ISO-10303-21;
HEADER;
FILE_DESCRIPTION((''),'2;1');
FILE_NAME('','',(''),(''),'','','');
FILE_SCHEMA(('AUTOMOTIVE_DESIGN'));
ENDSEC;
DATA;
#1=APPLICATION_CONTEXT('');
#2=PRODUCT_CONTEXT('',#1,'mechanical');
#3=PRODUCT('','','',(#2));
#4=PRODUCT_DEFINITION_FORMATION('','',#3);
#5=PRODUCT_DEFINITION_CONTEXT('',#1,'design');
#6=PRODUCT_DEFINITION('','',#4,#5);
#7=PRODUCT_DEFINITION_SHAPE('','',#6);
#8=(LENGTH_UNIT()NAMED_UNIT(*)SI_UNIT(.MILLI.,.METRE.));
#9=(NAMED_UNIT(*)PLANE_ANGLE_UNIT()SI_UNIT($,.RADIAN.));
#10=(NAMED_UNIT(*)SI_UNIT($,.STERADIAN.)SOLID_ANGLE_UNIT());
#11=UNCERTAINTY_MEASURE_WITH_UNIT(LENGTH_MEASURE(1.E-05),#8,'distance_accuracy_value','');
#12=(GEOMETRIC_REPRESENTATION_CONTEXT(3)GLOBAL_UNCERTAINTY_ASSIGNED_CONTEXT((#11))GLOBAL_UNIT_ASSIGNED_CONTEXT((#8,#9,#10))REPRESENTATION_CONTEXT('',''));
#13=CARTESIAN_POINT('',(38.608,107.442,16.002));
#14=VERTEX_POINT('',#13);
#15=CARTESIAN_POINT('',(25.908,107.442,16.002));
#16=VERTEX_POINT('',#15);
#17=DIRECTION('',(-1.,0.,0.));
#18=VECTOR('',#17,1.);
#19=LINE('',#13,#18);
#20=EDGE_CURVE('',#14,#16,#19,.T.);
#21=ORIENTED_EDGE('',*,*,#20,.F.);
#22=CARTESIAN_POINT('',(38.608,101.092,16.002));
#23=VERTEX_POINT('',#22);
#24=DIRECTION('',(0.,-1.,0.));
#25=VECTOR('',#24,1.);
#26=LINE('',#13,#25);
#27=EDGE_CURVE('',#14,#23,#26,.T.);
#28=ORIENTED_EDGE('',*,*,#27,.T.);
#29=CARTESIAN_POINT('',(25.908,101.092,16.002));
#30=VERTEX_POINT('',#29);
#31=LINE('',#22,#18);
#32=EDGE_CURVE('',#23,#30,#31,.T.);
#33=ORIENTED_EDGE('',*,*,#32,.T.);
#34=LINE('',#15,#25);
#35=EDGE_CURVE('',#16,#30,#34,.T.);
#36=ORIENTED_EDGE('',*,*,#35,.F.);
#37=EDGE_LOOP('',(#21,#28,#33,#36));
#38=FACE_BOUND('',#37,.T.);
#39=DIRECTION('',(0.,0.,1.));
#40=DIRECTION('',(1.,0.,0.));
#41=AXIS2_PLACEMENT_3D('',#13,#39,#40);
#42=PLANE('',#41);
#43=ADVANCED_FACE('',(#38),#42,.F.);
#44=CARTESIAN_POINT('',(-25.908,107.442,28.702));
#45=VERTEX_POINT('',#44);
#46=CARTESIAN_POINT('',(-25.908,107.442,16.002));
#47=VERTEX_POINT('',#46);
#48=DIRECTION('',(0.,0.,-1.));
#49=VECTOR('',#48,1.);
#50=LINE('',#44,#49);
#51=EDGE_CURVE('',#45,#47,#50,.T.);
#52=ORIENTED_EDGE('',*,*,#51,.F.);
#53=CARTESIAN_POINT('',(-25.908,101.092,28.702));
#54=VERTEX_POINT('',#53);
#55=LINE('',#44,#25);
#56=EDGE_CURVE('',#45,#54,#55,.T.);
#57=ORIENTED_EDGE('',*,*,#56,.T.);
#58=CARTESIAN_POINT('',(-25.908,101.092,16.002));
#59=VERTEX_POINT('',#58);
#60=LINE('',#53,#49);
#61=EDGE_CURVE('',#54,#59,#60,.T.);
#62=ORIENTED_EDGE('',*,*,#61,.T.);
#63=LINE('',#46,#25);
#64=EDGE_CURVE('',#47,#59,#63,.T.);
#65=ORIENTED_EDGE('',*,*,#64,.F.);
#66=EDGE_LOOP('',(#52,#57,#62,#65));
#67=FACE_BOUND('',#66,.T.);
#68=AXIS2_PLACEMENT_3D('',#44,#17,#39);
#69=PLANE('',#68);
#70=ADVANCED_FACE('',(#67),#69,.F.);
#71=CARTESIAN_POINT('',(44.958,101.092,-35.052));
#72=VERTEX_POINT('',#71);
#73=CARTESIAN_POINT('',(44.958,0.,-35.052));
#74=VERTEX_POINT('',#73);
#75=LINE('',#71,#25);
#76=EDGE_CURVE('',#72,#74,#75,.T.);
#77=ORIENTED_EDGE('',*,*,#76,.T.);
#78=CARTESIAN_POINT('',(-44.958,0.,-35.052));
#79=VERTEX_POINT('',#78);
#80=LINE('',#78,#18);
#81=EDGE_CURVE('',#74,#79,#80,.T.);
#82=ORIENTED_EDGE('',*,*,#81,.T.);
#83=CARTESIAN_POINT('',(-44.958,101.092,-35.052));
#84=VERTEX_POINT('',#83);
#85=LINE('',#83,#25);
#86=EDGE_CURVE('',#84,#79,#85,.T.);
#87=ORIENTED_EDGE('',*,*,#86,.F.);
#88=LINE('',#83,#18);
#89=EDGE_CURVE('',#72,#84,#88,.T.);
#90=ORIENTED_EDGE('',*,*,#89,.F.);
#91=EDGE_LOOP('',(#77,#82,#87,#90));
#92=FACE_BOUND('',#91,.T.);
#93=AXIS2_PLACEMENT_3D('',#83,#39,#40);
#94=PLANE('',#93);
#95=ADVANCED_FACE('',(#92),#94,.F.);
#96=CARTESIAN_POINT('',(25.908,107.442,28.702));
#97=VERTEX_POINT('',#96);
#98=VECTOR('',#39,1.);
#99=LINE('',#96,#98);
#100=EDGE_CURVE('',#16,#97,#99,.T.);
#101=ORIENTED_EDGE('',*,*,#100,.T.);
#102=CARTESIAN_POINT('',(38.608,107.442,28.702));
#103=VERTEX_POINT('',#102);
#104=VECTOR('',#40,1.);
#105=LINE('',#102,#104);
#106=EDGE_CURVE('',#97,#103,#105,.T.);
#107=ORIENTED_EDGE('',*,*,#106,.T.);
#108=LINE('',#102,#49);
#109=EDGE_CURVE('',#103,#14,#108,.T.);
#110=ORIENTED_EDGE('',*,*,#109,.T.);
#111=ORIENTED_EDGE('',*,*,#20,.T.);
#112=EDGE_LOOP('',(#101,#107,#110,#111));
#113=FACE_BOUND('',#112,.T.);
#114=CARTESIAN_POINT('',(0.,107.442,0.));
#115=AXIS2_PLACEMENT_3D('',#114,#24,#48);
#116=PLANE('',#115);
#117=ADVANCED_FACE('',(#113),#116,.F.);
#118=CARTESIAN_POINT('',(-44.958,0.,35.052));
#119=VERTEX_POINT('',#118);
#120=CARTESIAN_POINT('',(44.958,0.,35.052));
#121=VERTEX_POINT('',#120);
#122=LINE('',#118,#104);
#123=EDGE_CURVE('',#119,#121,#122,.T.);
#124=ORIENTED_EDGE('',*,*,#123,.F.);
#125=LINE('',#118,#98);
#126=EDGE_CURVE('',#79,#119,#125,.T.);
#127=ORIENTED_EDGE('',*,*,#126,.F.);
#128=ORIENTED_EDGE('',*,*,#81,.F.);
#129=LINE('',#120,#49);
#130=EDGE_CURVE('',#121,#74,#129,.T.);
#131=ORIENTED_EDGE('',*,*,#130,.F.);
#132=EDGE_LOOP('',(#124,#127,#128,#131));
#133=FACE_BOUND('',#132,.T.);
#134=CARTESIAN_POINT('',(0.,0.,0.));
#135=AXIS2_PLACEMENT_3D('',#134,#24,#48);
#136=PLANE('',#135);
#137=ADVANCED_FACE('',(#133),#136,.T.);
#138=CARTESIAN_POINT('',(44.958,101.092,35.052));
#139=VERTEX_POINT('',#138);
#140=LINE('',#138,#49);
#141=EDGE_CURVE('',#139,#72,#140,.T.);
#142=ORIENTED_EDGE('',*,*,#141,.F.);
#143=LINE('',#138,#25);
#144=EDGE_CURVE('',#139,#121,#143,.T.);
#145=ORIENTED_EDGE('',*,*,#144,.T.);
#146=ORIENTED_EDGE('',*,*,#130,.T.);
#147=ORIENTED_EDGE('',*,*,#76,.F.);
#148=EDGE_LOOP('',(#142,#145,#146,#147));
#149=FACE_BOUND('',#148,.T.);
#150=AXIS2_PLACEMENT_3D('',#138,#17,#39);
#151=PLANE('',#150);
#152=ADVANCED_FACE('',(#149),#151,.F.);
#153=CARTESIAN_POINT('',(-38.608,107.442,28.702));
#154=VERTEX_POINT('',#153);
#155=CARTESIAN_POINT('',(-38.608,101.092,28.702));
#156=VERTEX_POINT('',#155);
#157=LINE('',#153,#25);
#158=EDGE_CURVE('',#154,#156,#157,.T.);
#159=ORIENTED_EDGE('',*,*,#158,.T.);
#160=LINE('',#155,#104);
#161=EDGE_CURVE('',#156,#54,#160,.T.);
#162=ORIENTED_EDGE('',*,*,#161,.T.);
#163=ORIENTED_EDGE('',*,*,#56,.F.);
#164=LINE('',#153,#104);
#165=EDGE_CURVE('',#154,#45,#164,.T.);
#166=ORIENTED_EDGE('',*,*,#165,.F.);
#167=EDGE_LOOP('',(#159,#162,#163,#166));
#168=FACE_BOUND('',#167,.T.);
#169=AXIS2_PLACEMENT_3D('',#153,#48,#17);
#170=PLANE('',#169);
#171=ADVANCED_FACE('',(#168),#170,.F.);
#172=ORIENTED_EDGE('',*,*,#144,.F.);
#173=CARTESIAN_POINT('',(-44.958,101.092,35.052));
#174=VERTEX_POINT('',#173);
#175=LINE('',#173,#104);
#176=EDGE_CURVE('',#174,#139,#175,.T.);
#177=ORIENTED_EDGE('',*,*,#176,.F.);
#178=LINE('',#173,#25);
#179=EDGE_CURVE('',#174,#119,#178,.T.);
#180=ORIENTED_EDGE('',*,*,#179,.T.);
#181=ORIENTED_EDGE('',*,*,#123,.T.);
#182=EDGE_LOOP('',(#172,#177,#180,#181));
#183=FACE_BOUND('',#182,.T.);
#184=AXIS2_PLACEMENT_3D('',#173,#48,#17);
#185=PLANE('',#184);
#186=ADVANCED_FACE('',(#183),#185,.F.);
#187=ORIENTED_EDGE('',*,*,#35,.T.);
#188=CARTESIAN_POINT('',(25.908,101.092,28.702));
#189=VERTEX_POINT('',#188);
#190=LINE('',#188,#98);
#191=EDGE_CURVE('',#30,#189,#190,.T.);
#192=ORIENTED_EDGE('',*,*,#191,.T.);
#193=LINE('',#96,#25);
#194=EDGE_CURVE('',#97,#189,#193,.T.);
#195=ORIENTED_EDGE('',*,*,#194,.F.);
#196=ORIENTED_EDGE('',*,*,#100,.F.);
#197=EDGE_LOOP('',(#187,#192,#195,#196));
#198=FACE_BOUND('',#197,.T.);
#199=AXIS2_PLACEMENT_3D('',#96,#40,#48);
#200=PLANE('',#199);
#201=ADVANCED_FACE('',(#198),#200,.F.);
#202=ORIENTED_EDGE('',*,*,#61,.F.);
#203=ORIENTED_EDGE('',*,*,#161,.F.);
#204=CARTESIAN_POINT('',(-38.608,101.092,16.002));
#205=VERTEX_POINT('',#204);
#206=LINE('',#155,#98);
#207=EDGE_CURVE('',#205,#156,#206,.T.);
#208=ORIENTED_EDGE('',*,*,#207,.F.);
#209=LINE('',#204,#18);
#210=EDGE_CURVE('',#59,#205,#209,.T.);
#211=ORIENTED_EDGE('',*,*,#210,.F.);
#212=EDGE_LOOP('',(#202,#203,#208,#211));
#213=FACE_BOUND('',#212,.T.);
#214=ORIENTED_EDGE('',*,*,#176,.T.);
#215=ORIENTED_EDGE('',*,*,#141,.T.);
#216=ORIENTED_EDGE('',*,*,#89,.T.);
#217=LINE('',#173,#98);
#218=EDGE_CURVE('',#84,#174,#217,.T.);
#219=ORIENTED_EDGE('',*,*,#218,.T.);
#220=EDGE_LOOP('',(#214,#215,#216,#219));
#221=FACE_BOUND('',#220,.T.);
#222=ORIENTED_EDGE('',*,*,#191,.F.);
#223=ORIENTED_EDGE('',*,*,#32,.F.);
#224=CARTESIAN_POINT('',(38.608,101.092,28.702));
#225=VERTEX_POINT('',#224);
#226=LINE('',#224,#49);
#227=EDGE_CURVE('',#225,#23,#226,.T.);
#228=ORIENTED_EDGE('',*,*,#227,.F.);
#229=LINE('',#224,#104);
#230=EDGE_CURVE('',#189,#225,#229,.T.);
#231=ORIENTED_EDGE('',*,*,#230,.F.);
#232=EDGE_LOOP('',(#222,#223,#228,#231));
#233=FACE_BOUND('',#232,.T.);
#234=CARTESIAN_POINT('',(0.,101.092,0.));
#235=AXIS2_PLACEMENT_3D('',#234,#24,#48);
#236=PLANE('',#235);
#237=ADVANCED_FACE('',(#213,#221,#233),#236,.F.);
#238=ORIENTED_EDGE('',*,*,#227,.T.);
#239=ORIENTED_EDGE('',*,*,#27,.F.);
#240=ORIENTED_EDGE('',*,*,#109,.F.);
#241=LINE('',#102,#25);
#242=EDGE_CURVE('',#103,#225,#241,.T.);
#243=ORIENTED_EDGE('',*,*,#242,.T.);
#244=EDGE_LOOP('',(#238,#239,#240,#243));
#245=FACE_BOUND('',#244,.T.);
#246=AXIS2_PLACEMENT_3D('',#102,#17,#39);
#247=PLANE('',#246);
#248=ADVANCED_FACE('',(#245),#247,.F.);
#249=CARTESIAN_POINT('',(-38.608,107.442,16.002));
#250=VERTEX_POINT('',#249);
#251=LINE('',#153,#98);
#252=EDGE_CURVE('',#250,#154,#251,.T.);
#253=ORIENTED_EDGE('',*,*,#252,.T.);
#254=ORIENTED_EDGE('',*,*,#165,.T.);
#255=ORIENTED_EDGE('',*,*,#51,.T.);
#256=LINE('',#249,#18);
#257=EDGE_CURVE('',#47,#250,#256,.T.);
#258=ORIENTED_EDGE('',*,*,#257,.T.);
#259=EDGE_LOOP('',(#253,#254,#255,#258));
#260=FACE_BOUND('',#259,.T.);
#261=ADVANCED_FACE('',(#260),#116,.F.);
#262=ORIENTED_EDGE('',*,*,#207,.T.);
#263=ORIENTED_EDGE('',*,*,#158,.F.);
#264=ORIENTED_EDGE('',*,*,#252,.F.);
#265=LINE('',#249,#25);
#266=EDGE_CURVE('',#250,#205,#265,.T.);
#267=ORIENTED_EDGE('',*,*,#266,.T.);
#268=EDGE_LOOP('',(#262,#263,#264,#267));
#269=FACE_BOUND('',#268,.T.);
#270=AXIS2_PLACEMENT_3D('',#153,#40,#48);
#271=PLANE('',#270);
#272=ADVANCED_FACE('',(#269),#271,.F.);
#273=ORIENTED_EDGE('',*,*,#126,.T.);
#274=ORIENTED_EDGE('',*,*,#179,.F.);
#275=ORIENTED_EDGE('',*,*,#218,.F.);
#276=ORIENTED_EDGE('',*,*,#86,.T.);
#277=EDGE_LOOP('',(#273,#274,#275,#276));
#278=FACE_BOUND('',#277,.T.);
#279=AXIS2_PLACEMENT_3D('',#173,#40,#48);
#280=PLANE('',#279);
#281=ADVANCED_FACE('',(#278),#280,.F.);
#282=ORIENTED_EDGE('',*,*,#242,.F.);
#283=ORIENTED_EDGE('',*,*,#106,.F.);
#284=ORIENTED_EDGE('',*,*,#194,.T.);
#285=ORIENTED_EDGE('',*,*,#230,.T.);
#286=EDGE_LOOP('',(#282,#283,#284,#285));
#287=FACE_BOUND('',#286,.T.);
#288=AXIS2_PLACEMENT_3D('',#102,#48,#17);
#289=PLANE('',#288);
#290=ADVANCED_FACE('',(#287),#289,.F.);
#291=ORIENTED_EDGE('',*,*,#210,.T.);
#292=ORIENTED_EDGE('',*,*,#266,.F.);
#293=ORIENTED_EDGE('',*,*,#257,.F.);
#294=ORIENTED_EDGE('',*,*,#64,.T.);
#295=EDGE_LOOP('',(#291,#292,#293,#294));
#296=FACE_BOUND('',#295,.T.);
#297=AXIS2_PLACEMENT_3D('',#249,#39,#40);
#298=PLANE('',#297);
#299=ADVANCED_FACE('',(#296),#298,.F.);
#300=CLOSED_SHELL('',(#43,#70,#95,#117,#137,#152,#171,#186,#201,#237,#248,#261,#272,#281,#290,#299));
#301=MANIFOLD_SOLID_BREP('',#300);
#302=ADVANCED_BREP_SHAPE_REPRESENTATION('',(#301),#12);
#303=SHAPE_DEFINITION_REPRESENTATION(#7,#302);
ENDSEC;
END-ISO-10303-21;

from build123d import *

# Parameters (mm, degrees)
SKETCH1_W           = 89.916
SKETCH1_H           = 70.104
BOSS_EXTRUDE1_DEPTH = 101.092
SKETCH3_W           = 12.7
SKETCH3_H           = 12.7
BOSS_EXTRUDE2_DEPTH = 6.35


with BuildPart() as part:
    # Sketch1 → Boss-Extrude1 (new body)
    with BuildSketch(Plane(origin=(0, 0, 0), x_dir=(1, 0, 0), z_dir=(0, 1, 0))):
        Rectangle(SKETCH1_W, SKETCH1_H)
    extrude(amount=BOSS_EXTRUDE1_DEPTH)

    # Sketch3 → Boss-Extrude2 (add)
    with BuildSketch(Plane(origin=(0, 101.092, 0), x_dir=(1, 0, 0), z_dir=(0, 1, 0))):
        with Locations((32.258, -22.352)):
            Rectangle(SKETCH3_W, SKETCH3_H)
        with Locations((-32.258, -22.352)):
            Rectangle(SKETCH3_W, SKETCH3_H)
    extrude(amount=BOSS_EXTRUDE2_DEPTH)


solid = part.part
